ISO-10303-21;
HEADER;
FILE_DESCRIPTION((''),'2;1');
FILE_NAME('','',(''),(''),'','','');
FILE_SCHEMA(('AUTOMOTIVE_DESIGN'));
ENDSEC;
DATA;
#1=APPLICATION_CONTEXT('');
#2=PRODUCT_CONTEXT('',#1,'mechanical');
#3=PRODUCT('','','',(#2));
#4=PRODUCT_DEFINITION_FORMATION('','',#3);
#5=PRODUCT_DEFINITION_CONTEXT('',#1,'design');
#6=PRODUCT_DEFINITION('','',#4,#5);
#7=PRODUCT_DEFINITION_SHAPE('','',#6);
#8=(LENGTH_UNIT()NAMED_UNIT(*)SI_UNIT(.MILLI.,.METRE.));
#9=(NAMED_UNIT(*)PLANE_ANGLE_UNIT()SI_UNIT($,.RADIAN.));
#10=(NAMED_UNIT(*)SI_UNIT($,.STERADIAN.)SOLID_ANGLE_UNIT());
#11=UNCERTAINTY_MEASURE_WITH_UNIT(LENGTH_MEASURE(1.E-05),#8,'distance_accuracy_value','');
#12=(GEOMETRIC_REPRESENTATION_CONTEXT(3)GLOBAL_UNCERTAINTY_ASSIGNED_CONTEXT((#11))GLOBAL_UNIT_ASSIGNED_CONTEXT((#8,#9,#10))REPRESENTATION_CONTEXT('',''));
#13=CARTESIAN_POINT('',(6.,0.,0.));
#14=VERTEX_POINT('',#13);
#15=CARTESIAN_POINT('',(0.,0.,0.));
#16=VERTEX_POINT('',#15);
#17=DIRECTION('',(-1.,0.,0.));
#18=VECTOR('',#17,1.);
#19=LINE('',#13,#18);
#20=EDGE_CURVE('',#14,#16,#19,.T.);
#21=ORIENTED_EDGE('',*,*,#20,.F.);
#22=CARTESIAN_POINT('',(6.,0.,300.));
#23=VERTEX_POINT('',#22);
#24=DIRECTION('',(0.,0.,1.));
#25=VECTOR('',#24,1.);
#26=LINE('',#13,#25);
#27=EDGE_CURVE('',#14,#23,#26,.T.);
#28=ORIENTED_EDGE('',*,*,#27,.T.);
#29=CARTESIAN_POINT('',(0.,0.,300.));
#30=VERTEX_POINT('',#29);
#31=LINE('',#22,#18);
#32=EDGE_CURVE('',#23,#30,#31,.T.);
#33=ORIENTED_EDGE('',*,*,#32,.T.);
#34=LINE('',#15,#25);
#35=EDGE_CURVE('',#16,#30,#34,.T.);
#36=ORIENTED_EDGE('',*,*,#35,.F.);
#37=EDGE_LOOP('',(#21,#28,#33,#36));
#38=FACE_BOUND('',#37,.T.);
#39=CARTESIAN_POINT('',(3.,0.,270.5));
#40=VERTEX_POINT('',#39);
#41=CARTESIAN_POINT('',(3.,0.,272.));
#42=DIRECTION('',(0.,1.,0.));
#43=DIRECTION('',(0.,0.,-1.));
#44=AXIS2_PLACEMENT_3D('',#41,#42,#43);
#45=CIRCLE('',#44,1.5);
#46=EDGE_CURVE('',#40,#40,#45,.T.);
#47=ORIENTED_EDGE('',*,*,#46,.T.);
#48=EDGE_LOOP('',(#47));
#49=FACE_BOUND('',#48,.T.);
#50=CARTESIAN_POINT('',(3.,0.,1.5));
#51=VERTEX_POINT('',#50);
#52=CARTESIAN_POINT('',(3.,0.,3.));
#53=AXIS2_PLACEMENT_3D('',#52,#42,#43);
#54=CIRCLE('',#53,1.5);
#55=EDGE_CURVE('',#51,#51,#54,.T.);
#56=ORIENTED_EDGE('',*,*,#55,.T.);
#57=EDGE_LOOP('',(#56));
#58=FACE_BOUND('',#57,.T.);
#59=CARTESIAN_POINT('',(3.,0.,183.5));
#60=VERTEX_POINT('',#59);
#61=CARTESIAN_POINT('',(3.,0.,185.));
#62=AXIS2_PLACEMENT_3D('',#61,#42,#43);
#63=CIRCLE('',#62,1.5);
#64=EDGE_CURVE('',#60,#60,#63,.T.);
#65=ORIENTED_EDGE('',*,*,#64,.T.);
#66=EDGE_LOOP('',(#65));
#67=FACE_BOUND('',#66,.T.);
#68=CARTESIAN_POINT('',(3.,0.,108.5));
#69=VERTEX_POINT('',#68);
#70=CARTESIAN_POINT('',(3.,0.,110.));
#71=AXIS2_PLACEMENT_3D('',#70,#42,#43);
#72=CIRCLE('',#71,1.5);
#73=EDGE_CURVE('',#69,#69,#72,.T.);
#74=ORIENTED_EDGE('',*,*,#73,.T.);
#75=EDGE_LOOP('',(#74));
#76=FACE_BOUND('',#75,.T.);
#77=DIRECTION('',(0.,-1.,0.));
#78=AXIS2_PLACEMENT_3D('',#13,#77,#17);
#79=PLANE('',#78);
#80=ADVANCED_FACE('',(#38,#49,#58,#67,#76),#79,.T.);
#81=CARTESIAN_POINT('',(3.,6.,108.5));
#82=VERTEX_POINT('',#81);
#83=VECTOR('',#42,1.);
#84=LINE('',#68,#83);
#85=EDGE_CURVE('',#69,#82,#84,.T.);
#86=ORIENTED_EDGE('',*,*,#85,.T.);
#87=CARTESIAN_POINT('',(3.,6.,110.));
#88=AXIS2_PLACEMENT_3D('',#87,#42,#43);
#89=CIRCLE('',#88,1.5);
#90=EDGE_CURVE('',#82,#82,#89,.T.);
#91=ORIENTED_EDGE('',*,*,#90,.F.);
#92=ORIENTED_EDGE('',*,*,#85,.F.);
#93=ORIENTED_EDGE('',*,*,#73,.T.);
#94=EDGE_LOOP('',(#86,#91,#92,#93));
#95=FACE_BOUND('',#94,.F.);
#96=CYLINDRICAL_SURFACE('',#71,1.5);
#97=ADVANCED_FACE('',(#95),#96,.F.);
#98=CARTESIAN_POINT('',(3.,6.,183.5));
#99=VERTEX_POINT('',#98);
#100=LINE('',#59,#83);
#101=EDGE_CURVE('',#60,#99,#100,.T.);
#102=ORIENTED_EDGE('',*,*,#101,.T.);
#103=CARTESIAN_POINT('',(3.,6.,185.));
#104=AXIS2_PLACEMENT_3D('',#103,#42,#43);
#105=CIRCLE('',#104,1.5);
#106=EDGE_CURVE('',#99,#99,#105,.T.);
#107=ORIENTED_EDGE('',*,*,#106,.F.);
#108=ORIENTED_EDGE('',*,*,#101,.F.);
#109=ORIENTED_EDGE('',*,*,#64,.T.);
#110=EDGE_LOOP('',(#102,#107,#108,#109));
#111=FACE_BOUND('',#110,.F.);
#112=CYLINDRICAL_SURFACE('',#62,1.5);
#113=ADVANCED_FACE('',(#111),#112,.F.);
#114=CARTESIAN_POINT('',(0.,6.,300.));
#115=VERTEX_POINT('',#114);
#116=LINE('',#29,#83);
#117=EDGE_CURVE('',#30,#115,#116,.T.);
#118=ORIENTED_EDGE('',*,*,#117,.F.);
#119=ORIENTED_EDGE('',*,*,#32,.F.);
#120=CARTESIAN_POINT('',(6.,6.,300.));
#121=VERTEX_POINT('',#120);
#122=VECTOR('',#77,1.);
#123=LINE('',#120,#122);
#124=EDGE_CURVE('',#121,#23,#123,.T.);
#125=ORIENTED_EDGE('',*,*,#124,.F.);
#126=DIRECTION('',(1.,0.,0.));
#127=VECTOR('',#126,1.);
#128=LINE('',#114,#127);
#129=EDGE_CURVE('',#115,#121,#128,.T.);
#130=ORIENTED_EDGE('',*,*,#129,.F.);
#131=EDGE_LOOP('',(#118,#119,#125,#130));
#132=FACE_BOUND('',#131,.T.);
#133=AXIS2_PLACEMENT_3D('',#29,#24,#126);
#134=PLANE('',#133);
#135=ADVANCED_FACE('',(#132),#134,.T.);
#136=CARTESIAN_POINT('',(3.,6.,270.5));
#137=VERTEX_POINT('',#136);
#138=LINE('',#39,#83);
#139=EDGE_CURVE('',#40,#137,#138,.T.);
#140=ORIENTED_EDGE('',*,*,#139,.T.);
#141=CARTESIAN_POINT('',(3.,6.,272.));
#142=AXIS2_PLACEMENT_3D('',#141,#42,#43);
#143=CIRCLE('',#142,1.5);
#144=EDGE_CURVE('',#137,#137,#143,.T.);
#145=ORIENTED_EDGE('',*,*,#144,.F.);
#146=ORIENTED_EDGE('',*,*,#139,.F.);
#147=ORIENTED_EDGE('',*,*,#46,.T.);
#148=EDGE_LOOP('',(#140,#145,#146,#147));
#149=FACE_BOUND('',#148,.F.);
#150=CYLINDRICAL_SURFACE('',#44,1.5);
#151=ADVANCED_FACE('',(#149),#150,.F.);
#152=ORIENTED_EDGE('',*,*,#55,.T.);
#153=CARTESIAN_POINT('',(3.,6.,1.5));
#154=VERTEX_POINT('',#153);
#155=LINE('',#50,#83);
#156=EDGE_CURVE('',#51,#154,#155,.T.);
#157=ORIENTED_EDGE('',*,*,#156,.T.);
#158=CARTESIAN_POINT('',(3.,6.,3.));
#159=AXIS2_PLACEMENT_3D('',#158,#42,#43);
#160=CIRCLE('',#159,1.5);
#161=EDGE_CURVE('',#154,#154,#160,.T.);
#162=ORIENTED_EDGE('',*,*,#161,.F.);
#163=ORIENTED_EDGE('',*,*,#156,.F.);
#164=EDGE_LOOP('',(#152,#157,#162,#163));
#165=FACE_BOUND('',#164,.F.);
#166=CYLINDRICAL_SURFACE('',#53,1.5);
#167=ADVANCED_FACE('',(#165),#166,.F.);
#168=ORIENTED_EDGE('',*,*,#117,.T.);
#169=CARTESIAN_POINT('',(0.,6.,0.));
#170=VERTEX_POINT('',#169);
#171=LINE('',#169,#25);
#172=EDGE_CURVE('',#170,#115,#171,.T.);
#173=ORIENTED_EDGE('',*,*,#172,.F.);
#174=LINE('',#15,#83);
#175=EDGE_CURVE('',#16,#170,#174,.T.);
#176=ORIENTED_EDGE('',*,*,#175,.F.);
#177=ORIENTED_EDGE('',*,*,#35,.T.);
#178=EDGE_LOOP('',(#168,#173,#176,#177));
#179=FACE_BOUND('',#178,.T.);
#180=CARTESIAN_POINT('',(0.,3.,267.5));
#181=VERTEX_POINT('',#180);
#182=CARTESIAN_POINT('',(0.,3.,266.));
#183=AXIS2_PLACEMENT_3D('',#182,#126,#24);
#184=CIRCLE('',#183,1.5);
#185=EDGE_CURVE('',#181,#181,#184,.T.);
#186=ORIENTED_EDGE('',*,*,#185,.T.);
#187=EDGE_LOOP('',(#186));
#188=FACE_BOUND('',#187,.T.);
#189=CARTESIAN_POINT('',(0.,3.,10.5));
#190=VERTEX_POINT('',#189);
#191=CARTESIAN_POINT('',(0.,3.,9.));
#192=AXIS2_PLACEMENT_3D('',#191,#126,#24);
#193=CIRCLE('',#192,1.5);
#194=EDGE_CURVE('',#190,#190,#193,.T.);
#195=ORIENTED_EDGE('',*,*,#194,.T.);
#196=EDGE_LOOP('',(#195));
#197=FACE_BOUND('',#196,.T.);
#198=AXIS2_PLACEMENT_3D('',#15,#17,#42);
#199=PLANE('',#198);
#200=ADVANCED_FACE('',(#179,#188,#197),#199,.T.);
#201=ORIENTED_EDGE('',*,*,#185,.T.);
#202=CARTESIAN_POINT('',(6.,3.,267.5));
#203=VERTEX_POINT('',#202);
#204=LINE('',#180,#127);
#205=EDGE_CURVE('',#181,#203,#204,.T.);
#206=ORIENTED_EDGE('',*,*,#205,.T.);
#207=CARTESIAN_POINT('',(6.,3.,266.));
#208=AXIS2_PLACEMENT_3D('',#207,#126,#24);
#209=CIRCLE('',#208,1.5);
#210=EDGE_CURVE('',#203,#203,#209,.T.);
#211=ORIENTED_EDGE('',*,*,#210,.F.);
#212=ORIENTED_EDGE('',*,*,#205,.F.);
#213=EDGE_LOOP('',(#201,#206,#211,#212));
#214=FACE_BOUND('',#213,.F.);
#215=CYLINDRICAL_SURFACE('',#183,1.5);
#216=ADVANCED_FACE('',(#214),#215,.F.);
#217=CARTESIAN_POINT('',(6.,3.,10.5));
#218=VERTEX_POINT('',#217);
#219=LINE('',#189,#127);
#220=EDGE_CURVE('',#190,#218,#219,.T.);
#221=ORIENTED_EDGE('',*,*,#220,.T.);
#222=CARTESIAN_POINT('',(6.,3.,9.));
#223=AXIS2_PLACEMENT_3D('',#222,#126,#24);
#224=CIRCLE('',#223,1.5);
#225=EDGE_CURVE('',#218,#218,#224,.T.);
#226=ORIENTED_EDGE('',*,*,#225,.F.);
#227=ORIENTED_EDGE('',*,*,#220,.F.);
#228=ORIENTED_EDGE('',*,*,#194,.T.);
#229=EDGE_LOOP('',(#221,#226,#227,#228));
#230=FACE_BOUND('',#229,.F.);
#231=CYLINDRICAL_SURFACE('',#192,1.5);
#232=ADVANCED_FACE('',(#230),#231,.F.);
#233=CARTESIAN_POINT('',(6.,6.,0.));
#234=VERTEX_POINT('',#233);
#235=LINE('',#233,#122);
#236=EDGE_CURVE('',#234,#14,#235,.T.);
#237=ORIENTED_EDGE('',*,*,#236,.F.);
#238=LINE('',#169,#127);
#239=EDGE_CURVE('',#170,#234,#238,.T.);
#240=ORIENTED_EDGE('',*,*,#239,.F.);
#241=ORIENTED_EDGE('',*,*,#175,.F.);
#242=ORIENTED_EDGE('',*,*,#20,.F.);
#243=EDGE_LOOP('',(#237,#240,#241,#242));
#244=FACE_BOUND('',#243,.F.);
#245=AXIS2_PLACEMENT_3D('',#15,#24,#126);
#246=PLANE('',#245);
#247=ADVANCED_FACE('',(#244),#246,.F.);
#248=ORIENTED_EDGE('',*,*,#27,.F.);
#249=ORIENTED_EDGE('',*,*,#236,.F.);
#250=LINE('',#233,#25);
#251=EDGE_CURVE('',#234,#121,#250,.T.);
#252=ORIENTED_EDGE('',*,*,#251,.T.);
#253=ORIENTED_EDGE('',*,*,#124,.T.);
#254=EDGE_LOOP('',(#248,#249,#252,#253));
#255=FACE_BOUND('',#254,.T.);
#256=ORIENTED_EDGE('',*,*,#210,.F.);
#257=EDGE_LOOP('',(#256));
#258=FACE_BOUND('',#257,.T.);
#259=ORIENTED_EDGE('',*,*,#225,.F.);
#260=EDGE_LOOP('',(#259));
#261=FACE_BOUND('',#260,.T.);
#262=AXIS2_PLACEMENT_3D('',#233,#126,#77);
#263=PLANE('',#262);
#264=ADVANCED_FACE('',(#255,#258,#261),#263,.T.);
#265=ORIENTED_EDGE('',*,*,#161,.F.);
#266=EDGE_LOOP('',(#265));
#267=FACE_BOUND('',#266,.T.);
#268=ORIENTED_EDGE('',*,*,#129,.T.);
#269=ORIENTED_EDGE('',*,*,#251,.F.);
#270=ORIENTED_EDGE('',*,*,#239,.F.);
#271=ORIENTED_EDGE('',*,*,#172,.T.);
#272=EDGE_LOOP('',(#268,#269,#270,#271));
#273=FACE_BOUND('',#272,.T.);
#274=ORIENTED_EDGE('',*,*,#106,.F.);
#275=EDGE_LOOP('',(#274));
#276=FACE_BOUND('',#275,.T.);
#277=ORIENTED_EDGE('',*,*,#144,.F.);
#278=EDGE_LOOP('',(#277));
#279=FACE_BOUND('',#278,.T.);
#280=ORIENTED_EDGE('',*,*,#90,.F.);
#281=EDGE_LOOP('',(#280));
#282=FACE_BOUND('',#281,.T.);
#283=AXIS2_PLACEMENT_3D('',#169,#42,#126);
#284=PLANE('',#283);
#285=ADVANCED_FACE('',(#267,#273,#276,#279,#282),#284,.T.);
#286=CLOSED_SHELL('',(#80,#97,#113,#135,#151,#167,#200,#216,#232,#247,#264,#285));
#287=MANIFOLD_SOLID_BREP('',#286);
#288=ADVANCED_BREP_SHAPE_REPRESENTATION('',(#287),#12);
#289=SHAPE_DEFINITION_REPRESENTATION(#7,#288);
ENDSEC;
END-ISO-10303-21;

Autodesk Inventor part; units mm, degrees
ref_plane "YZ Plane" through (0, 0, 0) normal (1, 0, 0) x (0, 1, 0)
ref_plane "XZ Plane" through (0, 0, 0) normal (0, 1, 0) x (-1, 0, 0)
ref_plane "XY Plane" through (0, 0, 0) normal (0, 0, 1) x (1, 0, 0)
sketch "Sketch1" plane through (0, 0, 0) normal (0, 0, 1) x (1, 0, 0)
  line L0 (0, 6) -> (6, 6)
  line L1 (6, 6) -> (6, 0)
  line L2 (6, 0) -> (0, 0)
  line L3 (0, 0) -> (0, 6)
  dimension "d0" = 6
  dimension "d1" = 6
extrude "Extrusion1" add sketch "Sketch1" along normal blind 300
sketch "Sketch2" plane through (0, 0, 0) normal (0, 1, 0) x (-1, 0, 0)
  line L0 (-6, 0) -> (0, 0) construction
  line L1 (-6, 0) -> (-6, 300) construction
  line L2 (0, 300) -> (-6, 300) construction
  line L3 (0, 0) -> (0, 300) construction
  line L4 (-3, 0) -> (-3, 300) construction
  line L5 (-6, 300) -> (0, 300) construction
  point P0 (-3, 185)
  point P1 (-3, 110)
  point P2 (-3, 3)
  point P3 (-3, 272)
  dimension "d8" = 75
  dimension "d17" = 115
  dimension "d18" = 28
  dimension "d19" = 3
hole "Hole1" at (3, 0, 185) at (3, 0, 110) at (3, 0, 3) at (3, 0, 272) direction (0, 1, 0) diameter 3 end through all
sketch "Sketch3" plane through (0, 0, 0) normal (-1, 0, 0) x (0, 0, 1)
  line L0 (0, 0) -> (0, 6) construction
  line L1 (0, 0) -> (300, 0) construction
  line L2 (300, 6) -> (300, 0) construction
  line L3 (0, 6) -> (300, 6) construction
  line L4 (0, 0) -> (0, 6) construction
  line L5 (0, 3) -> (300, 3) construction
  line L6 (300, 6) -> (300, 0) construction
  point P0 (266, 3)
  point P1 (9, 3)
  dimension "d20" = 9
  dimension "d21" = 34
hole "Hole2" at (0, 3, 266) at (0, 3, 9) direction (1, 0, 0) diameter 3 end through all
equation "\"d1\" = d0"
properties part number "longitudinal" material "Aluminum"
